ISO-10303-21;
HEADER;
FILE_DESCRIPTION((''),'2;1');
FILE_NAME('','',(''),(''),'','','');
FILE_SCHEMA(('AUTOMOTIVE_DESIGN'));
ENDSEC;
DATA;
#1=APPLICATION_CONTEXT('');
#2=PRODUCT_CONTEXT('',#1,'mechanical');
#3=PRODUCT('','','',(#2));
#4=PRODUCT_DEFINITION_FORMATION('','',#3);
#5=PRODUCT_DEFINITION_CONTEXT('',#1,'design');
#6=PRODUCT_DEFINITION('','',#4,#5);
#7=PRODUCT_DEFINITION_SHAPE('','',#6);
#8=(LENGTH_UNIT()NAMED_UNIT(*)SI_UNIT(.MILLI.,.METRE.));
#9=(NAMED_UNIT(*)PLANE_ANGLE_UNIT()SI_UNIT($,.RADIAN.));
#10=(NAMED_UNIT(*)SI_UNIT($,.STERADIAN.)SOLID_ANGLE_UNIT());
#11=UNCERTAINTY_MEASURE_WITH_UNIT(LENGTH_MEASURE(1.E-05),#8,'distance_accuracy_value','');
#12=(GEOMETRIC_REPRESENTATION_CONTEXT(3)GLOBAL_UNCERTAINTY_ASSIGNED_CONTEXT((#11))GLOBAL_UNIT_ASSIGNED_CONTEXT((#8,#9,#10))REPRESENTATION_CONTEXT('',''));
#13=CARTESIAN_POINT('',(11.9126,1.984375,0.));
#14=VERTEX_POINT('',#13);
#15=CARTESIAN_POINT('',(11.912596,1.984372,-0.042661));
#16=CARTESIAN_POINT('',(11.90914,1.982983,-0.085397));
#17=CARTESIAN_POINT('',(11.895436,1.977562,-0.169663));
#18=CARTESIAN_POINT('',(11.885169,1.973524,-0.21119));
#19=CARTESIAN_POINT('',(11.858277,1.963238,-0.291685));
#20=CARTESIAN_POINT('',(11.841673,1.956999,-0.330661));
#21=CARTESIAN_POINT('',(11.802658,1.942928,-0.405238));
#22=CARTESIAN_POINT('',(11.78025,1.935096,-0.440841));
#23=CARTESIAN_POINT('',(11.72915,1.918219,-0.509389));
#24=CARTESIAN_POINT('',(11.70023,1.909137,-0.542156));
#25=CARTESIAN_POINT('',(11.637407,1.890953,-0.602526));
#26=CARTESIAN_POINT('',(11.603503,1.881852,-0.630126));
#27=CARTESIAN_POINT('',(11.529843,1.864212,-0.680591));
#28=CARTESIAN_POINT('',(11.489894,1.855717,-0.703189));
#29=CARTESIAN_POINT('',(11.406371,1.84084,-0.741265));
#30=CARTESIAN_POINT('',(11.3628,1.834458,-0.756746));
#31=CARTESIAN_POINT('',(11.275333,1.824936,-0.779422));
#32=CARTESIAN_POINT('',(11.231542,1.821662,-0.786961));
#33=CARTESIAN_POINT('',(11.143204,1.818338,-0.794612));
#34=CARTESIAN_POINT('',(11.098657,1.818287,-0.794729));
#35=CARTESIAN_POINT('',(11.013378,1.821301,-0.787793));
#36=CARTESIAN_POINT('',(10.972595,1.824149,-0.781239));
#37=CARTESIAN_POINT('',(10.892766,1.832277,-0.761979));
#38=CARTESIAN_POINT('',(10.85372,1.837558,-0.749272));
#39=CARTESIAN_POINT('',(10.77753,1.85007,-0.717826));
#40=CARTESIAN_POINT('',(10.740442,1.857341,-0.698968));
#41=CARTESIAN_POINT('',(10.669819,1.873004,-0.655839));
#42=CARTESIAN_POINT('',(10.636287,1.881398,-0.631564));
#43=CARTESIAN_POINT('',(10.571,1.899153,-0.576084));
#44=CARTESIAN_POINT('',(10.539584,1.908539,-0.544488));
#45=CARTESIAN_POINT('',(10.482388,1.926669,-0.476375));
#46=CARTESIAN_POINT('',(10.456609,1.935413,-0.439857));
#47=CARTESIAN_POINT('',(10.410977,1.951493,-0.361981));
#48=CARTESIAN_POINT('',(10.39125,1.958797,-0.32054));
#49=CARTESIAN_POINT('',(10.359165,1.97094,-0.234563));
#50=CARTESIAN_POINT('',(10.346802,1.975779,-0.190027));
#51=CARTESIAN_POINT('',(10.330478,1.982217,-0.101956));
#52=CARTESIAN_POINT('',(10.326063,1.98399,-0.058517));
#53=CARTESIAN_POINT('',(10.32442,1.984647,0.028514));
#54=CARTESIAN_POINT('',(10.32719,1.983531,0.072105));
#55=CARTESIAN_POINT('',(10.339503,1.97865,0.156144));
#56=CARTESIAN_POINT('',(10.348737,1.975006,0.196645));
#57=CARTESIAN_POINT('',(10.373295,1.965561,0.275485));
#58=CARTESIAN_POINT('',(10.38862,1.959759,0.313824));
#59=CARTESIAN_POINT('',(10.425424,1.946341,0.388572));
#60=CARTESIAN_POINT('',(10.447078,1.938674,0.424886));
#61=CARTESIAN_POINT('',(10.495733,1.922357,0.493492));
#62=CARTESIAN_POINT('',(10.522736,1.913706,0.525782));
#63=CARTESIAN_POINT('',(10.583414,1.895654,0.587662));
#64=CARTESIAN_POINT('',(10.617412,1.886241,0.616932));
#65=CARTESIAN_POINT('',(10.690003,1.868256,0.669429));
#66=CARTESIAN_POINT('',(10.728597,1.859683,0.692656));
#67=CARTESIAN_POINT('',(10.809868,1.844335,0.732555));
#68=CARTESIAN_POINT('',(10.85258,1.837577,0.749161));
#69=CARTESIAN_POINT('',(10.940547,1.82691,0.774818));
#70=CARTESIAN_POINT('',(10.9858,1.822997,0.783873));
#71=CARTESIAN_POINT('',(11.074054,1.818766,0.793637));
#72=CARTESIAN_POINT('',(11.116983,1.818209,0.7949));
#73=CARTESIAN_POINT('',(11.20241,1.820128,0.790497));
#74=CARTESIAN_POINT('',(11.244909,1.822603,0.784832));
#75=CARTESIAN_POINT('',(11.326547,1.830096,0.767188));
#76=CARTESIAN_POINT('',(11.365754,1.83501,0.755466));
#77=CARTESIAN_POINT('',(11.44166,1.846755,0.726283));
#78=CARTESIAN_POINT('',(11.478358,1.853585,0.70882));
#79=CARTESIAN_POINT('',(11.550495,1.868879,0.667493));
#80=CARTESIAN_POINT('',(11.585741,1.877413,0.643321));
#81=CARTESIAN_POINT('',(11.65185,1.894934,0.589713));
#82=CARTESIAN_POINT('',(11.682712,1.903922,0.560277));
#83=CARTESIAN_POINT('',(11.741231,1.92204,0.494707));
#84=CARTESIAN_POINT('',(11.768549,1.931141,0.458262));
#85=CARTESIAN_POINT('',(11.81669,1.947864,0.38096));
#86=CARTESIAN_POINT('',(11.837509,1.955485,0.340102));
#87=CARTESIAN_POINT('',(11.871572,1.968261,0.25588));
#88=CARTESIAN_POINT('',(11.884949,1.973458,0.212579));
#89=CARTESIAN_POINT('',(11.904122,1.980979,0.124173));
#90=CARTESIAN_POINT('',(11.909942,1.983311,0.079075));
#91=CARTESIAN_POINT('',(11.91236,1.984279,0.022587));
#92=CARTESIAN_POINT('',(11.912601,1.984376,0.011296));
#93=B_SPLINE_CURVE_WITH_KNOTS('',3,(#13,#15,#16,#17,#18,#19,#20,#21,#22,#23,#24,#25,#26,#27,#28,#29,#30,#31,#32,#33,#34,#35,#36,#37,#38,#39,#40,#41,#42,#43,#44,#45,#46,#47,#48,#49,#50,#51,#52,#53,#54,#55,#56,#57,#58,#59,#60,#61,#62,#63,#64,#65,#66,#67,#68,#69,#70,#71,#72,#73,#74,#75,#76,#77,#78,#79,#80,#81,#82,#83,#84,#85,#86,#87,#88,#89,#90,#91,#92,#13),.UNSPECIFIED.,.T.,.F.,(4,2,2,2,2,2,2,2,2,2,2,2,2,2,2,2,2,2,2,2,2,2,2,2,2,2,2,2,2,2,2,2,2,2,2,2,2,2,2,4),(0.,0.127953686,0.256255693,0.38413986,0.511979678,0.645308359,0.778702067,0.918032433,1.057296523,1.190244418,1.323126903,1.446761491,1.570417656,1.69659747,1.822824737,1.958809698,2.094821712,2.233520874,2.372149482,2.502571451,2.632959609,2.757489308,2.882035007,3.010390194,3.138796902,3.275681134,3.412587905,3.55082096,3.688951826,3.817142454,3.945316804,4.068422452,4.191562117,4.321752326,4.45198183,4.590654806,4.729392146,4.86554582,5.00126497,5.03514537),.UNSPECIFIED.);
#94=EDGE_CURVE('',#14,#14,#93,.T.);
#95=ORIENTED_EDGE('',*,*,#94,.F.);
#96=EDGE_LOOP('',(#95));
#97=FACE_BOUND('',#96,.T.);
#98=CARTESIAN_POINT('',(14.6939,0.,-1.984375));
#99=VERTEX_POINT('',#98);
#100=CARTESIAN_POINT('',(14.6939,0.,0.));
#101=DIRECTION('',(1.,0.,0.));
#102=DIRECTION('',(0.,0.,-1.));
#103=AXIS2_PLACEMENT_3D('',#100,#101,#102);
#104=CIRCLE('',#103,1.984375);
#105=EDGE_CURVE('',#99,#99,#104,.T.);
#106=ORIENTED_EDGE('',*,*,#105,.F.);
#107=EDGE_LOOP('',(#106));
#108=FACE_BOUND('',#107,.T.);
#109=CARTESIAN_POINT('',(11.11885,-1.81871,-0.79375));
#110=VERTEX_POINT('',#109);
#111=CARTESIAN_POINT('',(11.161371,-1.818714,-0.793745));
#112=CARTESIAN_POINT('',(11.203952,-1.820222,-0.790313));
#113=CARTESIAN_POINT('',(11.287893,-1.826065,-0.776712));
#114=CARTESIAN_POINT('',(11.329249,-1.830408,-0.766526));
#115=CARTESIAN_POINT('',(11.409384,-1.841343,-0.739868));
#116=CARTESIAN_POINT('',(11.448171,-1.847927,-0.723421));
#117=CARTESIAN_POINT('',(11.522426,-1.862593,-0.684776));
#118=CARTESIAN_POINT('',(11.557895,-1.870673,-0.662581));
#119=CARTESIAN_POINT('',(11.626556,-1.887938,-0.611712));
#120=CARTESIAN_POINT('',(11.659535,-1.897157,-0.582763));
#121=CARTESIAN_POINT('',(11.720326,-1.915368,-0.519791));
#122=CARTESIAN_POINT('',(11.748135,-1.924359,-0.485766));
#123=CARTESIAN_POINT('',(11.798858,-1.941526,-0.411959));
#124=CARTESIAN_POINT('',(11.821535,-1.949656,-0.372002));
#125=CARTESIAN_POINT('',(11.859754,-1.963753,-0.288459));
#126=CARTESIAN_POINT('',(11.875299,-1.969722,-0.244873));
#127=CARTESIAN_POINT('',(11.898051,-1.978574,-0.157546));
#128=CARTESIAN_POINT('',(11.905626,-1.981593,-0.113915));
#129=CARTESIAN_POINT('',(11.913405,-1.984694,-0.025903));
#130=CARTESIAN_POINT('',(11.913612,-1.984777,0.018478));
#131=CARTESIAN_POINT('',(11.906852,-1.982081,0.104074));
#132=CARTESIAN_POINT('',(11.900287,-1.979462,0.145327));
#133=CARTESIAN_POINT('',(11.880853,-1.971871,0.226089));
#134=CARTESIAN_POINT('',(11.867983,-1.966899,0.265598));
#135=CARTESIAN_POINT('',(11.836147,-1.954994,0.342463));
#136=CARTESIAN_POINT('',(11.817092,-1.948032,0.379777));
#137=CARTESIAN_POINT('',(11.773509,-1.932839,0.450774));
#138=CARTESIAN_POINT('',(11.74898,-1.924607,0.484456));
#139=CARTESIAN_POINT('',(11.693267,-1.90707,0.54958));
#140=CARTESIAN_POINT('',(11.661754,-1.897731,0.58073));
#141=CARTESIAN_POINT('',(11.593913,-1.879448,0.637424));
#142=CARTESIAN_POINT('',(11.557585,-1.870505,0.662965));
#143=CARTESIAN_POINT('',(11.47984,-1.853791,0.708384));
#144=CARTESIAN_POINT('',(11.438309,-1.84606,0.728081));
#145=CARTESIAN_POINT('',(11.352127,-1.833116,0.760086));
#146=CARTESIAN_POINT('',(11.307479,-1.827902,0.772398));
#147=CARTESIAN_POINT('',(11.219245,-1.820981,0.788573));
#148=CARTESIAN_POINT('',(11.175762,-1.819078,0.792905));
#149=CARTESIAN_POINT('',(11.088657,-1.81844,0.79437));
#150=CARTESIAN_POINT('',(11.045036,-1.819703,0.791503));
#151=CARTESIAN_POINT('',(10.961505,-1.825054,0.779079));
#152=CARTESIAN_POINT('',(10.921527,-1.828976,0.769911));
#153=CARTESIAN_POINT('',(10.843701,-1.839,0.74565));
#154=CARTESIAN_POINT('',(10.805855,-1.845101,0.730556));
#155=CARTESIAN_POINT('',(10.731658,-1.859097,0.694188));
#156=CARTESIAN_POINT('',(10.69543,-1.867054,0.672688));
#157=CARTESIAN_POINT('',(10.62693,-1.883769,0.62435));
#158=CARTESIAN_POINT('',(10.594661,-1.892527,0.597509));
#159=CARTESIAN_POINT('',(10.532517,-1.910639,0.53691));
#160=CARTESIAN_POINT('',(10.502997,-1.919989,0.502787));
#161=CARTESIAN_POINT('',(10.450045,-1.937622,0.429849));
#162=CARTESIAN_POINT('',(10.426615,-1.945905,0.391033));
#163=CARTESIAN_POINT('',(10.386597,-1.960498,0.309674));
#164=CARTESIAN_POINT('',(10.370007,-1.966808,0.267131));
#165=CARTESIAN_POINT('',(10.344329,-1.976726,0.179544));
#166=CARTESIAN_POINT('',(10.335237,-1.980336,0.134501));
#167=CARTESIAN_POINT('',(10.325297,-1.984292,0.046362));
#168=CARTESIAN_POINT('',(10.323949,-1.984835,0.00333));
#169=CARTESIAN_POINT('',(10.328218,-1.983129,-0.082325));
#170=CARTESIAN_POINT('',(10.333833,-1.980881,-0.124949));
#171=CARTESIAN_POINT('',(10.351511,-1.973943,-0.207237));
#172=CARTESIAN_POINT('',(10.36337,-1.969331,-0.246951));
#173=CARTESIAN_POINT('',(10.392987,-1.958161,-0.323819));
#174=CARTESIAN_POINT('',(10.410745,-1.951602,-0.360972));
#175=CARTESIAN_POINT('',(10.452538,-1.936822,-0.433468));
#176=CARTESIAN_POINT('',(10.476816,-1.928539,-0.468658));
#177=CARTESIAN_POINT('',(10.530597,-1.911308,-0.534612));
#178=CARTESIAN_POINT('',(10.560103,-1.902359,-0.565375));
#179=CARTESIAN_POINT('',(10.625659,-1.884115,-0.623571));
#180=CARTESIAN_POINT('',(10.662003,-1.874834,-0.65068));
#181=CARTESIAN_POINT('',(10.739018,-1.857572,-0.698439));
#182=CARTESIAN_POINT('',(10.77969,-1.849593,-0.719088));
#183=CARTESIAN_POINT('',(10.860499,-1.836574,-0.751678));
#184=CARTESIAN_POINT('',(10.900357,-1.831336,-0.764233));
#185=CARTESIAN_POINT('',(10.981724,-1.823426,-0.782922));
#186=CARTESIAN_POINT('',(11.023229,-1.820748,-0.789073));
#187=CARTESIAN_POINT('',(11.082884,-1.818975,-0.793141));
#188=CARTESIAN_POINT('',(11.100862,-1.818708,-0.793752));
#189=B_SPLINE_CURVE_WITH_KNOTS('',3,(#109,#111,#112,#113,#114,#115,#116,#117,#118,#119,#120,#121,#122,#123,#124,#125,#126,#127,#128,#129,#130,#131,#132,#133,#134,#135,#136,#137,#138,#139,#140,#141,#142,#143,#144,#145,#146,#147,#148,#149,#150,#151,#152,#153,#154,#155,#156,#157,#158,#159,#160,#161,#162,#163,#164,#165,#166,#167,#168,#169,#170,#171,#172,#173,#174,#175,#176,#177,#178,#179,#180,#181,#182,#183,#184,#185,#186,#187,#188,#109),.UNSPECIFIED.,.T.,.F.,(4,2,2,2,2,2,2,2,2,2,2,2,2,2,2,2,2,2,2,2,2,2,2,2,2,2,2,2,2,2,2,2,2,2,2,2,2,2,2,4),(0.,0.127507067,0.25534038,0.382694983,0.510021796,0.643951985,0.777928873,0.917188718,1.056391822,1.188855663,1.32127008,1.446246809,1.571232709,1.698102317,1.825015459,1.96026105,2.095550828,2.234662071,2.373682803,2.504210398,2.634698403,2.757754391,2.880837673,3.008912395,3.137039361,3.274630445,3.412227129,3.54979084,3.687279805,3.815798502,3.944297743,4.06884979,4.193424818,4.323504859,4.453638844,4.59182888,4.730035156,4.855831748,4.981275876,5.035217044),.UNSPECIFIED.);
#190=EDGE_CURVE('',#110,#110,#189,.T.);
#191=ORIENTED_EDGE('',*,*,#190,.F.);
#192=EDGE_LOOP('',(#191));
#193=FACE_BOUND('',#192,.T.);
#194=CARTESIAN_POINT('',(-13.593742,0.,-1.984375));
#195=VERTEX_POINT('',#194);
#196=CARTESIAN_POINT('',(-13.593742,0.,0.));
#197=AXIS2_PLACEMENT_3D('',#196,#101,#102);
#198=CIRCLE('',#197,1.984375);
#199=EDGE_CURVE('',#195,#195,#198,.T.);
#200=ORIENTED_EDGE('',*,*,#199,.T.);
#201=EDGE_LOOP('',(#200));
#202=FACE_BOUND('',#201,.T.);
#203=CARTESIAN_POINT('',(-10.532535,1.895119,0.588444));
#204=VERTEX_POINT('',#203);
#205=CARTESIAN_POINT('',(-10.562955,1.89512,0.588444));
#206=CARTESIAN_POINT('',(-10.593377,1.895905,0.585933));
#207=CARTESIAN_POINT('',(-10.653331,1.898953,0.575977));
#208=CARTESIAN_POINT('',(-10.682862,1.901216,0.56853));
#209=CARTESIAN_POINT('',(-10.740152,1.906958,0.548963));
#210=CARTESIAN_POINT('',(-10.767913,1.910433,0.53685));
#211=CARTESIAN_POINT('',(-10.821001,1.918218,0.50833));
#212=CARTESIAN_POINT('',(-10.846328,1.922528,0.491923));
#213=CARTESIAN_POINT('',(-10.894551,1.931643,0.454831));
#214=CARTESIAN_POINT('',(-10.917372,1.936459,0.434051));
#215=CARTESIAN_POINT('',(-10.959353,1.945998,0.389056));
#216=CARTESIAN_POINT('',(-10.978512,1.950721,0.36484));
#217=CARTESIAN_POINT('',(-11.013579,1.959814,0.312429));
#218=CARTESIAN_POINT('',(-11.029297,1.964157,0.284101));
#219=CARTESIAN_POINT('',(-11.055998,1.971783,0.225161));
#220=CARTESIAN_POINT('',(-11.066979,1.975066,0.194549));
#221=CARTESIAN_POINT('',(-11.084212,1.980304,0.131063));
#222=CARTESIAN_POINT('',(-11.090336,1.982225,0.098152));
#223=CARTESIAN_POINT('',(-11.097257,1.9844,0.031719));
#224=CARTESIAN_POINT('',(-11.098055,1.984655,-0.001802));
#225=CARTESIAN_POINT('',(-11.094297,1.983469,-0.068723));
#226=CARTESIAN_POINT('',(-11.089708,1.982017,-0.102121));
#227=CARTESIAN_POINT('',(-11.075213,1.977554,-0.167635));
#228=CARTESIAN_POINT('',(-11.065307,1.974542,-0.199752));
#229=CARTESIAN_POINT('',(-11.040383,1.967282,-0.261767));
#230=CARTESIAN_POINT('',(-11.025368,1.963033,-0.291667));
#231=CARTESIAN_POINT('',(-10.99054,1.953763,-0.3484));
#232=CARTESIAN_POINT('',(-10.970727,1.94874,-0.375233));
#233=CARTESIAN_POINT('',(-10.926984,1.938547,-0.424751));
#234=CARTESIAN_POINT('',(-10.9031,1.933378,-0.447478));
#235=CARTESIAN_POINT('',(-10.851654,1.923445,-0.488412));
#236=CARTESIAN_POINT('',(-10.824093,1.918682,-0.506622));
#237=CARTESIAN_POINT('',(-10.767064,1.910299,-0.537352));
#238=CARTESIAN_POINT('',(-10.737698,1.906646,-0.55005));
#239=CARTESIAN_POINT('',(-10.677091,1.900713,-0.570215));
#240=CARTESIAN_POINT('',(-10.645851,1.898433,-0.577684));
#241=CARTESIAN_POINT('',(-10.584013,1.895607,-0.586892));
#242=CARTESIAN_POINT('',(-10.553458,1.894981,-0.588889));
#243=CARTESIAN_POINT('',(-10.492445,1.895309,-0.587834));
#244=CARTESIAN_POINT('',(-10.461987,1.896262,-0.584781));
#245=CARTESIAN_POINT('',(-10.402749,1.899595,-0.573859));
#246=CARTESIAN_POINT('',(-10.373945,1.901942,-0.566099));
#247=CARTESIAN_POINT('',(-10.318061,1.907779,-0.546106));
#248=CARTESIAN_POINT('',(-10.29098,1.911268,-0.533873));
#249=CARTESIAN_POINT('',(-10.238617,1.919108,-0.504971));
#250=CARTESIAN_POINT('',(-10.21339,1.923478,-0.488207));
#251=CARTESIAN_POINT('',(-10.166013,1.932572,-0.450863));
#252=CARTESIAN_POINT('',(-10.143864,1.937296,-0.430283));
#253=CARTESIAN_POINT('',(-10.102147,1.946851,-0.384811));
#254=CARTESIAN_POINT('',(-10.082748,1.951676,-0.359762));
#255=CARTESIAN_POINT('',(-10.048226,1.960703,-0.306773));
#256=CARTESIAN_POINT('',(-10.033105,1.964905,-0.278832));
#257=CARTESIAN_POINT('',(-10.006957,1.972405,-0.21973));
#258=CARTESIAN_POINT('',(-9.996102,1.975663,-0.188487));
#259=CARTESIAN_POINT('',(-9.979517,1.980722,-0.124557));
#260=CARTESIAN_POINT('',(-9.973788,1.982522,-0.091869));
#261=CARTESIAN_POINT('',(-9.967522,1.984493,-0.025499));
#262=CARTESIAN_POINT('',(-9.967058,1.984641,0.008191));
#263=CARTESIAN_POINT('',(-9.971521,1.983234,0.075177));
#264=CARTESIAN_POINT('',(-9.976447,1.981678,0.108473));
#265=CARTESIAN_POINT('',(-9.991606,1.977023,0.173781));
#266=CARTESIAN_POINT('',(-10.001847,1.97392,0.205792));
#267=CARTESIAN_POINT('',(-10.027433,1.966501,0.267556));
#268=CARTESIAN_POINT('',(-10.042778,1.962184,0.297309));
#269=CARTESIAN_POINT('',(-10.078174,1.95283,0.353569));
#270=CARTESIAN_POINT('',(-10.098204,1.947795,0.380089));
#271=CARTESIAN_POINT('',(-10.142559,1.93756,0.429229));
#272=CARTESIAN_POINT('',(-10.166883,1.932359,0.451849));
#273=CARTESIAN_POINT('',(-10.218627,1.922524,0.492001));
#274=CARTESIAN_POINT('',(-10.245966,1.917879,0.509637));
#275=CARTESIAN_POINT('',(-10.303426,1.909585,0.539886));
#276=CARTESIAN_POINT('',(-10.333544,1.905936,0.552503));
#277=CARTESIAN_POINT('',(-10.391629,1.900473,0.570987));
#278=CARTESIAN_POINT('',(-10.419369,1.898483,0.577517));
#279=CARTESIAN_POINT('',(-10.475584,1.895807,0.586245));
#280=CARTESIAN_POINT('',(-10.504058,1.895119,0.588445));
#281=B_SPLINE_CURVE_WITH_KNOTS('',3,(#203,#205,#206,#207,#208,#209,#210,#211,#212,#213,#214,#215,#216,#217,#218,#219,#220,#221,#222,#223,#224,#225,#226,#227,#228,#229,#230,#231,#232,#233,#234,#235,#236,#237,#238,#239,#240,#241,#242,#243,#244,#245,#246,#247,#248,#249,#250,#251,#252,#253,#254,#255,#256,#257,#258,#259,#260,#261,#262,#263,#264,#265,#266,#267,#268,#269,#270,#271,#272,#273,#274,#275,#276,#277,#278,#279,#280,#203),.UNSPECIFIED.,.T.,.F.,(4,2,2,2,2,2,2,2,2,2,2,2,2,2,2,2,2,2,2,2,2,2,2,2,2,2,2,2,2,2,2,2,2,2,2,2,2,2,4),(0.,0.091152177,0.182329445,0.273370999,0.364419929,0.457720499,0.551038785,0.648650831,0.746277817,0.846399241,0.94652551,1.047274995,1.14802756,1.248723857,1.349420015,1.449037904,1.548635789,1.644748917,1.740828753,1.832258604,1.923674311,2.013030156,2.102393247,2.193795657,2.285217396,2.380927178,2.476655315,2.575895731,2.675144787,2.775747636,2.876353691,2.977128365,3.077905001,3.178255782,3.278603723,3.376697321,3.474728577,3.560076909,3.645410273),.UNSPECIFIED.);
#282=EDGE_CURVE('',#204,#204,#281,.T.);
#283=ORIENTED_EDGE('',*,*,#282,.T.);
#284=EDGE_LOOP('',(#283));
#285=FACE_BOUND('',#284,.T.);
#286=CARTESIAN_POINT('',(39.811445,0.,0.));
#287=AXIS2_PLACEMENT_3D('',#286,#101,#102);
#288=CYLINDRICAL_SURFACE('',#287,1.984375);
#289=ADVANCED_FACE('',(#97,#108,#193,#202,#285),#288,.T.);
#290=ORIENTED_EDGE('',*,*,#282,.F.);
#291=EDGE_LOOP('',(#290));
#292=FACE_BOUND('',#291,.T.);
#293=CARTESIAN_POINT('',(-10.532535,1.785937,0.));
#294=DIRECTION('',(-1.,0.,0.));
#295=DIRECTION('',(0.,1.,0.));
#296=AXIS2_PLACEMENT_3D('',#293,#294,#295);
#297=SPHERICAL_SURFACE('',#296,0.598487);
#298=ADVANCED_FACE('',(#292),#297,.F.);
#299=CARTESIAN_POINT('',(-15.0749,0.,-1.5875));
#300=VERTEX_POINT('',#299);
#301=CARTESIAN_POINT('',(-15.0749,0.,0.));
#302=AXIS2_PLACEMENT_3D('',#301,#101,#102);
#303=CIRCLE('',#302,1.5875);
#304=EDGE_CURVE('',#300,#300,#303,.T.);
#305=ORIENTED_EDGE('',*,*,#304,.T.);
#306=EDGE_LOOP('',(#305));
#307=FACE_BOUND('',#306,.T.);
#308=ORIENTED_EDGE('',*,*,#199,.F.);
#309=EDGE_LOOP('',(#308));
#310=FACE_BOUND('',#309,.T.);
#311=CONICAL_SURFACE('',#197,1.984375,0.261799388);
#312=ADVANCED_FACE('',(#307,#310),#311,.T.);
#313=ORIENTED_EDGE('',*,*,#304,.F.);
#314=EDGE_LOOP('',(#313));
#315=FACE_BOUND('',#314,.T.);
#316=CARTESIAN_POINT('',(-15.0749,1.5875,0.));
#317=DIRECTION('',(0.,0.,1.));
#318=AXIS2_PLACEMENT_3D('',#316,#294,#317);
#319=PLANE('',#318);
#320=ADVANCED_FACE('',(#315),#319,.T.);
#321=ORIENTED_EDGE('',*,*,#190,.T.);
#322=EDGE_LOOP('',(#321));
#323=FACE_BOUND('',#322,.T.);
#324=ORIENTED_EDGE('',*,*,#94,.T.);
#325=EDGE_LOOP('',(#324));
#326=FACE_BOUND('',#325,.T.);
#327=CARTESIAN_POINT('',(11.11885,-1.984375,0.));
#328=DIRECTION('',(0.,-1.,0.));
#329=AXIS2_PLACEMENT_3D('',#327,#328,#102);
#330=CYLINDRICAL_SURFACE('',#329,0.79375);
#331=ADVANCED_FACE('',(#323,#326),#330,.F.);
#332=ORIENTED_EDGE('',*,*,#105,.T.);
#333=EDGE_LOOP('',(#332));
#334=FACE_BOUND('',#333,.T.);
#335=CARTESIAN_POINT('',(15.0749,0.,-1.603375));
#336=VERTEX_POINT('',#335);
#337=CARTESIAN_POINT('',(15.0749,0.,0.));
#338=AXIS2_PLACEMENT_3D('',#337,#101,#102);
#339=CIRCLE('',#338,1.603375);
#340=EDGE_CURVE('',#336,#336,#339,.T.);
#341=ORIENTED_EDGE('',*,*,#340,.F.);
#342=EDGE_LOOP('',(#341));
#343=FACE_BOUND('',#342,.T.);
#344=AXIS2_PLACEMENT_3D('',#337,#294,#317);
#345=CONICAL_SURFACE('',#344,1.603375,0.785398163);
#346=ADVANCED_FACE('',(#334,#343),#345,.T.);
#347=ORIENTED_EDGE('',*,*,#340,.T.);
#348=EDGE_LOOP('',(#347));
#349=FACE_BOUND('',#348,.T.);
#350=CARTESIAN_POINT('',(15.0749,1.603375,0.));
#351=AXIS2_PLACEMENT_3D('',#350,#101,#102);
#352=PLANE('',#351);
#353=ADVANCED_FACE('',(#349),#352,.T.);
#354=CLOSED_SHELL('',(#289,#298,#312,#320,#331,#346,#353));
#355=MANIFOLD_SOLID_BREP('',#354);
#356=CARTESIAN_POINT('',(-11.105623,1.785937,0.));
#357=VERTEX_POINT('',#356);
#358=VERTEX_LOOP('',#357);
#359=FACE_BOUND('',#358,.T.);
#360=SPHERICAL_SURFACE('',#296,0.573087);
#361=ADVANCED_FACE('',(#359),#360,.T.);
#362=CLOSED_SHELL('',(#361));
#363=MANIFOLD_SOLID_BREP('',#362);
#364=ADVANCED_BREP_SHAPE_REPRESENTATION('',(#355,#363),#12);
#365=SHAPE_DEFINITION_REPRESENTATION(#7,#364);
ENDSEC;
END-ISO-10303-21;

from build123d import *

# Parameters (mm, degrees)
SKETCH4_W = 0.79375
SKETCH4_H = 3.96875


with BuildPart() as part:
    # Sketch1 → Revolve1 (revolve)
    with BuildSketch(Plane.XY, mode=Mode.PRIVATE) as revolve1_sk:
        Polygon((15.0749, 1.603375), (14.6939, 1.984375), (-13.593742336, 1.984375), (-15.0749, 1.5875), (-15.0749, 0), (15.0749, 0), align=None)
    revolve(revolve1_sk.sketch.rotate(Axis((39.811445486, 0, 0), (-1, 0, 0)), 90), axis=Axis((39.811445486, 0, 0), (-1, 0, 0)))

    # Sketch2 → Cut-Revolve1 (revolve, cut)
    with BuildSketch(Plane.XY):
        with BuildLine():
            Line((-9.934047917, 1.7859375), (-11.131022917, 1.7859375))
            ThreePointArc((-11.131022917, 1.7859375), (-10.532535417, 2.384425), (-9.934047917, 1.7859375))
        make_face()
    revolve(axis=Axis((-9.934047917, 1.7859375, 0), (1, 0, 0)), mode=Mode.SUBTRACT)

    # Sketch4 → Cut-Revolve2 (revolve, cut)
    with BuildSketch(Plane.XY, mode=Mode.PRIVATE) as cut_revolve2_sk:
        with Locations((11.515725, 0)):
            Rectangle(SKETCH4_W, SKETCH4_H)
    revolve(cut_revolve2_sk.sketch.rotate(Axis((11.11885, -1.984375, 0), (0, 1, 0)), 90), axis=Axis((11.11885, -1.984375, 0), (0, 1, 0)), mode=Mode.SUBTRACT)


with BuildPart() as body_2:
    # Sketch3 → Revolve2 (revolve)
    with BuildSketch(Plane.XY):
        with BuildLine():
            Line((-9.959447917, 1.7859375), (-11.105622917, 1.7859375))
            ThreePointArc((-11.105622917, 1.7859375), (-10.532535417, 2.359025), (-9.959447917, 1.7859375))
        make_face()
    revolve(axis=Axis((-9.959447917, 1.7859375, 0), (1, 0, 0)))


solid = Compound([part.part, body_2.part])
